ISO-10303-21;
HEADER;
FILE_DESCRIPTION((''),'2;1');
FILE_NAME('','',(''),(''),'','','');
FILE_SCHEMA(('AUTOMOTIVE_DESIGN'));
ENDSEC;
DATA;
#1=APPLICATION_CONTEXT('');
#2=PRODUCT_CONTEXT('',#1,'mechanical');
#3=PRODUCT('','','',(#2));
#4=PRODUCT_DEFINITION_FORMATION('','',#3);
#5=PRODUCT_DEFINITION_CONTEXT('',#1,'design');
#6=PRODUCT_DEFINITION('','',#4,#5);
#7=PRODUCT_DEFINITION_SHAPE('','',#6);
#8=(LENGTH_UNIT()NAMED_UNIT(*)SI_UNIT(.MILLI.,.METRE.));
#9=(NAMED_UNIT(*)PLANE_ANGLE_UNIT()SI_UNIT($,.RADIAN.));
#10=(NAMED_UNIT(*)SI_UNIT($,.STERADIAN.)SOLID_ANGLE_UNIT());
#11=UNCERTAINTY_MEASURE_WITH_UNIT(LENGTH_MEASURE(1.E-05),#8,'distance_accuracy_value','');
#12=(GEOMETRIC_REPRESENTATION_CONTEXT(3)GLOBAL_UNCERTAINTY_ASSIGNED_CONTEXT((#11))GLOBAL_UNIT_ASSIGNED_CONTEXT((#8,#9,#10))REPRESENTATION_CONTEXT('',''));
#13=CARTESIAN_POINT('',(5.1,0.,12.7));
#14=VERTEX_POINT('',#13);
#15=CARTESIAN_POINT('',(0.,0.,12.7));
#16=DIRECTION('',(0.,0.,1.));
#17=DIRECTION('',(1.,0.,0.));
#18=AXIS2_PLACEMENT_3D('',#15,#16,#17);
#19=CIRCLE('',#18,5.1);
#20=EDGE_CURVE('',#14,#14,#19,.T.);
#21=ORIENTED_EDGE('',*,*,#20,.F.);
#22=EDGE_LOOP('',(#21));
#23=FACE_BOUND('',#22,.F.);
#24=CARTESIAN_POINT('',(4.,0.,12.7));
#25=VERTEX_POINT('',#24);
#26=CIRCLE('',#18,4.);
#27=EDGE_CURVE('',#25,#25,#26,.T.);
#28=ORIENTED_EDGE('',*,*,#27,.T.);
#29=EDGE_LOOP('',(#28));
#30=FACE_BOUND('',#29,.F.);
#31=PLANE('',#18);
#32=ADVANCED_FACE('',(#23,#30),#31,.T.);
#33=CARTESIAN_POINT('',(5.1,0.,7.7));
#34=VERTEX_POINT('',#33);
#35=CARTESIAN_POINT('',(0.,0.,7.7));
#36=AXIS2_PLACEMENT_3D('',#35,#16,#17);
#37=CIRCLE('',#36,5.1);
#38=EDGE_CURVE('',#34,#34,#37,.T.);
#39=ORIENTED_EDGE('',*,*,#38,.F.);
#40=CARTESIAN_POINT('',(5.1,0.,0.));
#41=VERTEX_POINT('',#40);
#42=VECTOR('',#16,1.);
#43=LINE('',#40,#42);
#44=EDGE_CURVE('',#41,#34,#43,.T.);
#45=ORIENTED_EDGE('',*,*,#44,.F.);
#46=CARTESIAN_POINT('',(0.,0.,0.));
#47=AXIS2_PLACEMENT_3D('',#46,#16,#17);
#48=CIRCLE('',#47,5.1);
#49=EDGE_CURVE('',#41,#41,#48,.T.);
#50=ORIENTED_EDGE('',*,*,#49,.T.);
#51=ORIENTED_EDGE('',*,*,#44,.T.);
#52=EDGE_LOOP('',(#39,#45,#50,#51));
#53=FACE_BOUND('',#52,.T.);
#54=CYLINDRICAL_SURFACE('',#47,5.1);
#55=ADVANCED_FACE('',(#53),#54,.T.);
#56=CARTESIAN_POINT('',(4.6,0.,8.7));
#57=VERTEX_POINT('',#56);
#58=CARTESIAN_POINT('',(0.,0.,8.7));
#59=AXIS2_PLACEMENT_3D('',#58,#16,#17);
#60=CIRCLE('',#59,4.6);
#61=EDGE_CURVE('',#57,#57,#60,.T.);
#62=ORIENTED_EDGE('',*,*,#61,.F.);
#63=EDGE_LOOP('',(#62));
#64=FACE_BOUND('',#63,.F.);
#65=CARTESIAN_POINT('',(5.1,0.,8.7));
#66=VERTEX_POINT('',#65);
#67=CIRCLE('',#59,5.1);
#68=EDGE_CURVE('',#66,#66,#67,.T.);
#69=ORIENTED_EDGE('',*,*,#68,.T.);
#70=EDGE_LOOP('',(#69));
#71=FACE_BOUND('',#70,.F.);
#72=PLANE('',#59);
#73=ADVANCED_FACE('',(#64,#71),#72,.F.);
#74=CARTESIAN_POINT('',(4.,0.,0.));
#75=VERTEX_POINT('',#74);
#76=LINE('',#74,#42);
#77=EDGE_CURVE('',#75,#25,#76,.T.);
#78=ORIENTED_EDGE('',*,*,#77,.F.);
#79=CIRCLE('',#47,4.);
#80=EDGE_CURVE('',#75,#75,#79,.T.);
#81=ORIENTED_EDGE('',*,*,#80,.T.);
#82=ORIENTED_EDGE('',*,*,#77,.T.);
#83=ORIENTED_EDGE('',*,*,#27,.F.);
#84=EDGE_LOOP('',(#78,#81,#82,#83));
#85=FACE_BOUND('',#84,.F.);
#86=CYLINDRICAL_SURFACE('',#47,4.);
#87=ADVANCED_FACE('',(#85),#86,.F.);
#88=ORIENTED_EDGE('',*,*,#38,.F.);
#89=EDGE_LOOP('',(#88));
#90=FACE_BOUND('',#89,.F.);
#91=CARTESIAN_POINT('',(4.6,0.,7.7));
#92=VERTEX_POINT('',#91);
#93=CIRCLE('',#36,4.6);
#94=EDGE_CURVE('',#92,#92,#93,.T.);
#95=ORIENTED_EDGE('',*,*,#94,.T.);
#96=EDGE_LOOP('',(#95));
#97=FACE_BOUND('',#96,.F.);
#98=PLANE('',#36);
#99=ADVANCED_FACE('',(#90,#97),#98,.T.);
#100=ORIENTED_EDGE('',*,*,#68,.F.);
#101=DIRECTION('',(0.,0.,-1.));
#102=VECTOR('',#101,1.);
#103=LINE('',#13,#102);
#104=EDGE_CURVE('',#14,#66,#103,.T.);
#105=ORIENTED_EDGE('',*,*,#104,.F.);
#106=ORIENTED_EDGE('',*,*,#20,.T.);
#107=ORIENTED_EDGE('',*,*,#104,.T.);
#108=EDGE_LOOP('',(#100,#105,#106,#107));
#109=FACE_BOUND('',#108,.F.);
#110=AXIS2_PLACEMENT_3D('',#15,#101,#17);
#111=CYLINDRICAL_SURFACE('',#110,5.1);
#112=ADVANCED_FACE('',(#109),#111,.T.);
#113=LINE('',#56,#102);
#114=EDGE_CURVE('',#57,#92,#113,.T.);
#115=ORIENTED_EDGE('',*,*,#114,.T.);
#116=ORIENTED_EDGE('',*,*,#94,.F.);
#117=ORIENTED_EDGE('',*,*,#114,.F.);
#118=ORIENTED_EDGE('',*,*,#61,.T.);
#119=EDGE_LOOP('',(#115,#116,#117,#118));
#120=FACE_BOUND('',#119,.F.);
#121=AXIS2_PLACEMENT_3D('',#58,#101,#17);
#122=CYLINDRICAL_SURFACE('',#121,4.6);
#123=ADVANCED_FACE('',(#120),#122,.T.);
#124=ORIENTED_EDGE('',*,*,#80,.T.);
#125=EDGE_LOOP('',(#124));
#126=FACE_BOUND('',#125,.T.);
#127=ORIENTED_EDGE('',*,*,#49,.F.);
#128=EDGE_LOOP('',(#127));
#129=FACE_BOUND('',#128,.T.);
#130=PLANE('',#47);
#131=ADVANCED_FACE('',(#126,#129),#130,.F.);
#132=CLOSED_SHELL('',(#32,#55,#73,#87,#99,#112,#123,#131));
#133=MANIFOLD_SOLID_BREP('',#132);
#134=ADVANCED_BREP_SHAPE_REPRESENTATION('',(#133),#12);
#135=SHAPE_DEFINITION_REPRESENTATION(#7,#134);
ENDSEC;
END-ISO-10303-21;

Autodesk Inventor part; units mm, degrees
ref_plane "YZ Plane" through (0, 0, 0) normal (1, 0, 0) x (0, 1, 0)
ref_plane "XZ Plane" through (0, 0, 0) normal (0, 1, 0) x (-1, 0, 0)
ref_plane "XY Plane" through (0, 0, 0) normal (0, 0, 1) x (1, 0, 0)
sketch "Sketch1" plane through (0, 0, 0) normal (0, 1, 0) x (-1, 0, 0)
  line L0 (-4, 0) -> (-4, 12.7)
  line L1 (-4, 12.7) -> (-5.1, 12.7)
  line L2 (-4, 0) -> (-5.1, 0)
  line L3 (-5.1, 12.7) -> (-5.1, 8.7)
  line L4 (-5.1, 8.7) -> (-4.6, 8.7)
  line L5 (-4.6, 8.7) -> (-4.6, 7.7)
  line L6 (-4.6, 7.7) -> (-5.1, 7.7)
  line L7 (-5.1, 0) -> (-5.1, 7.7)
  line L8 (-5.1, 8.7) -> (-5.1, 12.7)
  line L9 (0, -2.54) -> (0, 15.24) projected
  point P0 (0, 0)
  dimension "d0" = 5.1
  dimension "d1" = 12.7
  dimension "d2" = 4
  dimension "d3" = 4
  dimension "d4" = 0.5
  dimension "d5" = 1
revolve "Revolution1" add sketch "Sketch1" angle 360 about axis through (0, 0, -10) along (0, 0, 1)
thread "Thread1" size "M8x1.25" class "6H" standard "ANSI Metric M Profile" length 26.04
properties part number "M8-HEATINSERT"
